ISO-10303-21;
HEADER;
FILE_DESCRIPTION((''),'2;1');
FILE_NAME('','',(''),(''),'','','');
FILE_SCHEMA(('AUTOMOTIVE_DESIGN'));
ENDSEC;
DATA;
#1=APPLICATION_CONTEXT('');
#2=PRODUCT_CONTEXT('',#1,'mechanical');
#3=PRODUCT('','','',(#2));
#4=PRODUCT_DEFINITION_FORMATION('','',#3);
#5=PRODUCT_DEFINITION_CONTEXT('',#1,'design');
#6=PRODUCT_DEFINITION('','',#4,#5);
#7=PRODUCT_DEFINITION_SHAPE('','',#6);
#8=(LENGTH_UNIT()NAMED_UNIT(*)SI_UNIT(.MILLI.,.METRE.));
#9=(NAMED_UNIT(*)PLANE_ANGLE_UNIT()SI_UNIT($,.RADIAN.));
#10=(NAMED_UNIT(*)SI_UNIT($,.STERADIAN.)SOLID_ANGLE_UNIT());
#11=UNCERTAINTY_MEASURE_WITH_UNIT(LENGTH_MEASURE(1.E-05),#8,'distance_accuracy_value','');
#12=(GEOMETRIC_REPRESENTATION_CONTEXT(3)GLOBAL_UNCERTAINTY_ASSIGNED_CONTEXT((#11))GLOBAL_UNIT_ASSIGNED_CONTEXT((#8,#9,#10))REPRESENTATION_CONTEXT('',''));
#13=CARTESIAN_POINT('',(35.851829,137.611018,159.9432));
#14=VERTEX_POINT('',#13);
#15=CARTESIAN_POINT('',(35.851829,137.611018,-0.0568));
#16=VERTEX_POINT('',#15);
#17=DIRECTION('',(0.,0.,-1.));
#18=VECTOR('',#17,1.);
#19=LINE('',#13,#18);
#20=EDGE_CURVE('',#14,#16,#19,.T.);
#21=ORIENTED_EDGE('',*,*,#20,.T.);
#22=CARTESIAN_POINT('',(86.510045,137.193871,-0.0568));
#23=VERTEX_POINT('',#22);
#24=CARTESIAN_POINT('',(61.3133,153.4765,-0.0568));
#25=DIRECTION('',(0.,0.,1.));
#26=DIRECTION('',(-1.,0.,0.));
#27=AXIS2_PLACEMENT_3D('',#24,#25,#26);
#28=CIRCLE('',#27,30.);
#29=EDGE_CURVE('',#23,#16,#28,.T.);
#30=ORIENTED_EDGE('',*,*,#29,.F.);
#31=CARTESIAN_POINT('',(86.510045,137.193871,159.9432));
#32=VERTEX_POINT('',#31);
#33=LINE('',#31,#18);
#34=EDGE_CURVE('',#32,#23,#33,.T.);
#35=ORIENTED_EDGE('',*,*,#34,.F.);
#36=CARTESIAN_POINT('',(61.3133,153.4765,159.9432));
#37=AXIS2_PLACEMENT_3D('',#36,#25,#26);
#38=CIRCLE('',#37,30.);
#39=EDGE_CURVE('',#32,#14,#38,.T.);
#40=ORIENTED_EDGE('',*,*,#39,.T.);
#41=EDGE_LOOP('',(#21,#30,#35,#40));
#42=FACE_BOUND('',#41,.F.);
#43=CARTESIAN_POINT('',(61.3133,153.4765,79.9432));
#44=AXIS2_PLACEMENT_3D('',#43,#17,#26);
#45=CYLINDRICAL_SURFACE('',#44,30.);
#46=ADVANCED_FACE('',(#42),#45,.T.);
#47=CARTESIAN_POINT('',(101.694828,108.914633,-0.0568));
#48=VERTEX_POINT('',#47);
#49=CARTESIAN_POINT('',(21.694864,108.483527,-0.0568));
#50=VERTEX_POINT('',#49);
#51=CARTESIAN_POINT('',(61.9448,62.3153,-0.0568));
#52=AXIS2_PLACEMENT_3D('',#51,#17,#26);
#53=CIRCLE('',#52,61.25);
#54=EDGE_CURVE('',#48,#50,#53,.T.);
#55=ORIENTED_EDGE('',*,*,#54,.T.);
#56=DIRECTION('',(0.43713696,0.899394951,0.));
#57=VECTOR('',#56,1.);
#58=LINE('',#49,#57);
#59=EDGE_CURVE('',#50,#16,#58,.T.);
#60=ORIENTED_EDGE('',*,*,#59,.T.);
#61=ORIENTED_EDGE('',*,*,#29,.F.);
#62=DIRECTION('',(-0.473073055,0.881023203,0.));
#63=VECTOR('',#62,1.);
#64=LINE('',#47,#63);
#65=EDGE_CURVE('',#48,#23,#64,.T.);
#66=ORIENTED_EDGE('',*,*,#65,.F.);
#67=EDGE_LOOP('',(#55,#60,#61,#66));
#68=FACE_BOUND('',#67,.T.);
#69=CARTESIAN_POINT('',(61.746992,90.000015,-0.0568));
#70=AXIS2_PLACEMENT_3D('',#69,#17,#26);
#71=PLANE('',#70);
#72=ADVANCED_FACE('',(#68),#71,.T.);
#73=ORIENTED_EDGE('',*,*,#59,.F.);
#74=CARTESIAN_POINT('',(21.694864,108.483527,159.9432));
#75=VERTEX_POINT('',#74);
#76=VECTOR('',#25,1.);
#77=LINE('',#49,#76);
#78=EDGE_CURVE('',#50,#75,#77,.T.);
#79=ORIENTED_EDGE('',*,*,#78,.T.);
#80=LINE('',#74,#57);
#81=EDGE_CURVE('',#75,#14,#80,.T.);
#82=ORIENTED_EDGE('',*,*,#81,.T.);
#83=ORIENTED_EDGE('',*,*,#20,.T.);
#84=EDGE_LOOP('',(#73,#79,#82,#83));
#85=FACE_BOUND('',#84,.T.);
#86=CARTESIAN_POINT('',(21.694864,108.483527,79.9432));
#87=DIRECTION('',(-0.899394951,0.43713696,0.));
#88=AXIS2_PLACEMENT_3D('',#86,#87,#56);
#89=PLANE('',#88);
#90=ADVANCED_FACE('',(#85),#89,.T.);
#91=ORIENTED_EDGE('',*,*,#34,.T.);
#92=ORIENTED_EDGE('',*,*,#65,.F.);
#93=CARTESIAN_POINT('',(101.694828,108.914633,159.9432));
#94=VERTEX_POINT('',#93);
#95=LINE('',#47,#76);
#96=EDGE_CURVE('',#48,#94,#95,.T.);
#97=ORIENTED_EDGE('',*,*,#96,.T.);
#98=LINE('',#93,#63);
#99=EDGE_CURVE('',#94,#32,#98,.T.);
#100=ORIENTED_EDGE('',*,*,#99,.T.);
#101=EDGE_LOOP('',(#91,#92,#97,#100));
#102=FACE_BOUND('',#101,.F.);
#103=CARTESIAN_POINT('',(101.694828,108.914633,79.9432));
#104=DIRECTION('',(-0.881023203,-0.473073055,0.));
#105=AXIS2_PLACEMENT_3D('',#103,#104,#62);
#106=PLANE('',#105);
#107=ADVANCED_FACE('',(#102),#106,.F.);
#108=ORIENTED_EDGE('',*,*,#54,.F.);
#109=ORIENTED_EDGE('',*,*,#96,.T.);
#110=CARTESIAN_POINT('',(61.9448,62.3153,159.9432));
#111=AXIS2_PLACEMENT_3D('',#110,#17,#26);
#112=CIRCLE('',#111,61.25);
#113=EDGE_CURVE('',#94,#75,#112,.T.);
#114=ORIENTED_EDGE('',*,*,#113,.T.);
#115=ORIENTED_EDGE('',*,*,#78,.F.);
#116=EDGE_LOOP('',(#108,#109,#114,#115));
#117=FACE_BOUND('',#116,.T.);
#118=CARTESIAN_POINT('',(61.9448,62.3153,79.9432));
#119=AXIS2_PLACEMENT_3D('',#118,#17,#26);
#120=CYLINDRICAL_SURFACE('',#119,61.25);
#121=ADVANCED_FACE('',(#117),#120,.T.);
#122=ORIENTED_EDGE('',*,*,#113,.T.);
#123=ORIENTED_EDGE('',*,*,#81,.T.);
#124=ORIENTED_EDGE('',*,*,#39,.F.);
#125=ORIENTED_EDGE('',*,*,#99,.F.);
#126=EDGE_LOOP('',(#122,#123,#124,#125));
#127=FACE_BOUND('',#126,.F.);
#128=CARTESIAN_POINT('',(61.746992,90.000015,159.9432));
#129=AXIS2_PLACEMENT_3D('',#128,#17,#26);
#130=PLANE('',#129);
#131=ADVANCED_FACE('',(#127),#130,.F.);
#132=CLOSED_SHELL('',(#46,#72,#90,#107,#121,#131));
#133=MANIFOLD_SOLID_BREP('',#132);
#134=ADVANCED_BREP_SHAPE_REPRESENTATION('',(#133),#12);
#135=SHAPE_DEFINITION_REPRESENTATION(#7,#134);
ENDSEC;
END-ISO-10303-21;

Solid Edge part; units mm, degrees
sketch "Sketch1" plane through (61.25, 102.7544, 79.9432) normal (0, 0, 1) x (-1, 0, 0)
  line L0 (39.5552, -5.7292) -> (25.3982, -34.8566)
  arc A0 (-25.26, -34.4395) -> (25.3982, -34.8566) centre (-0.0633, -50.7221) ccw
  line L1 (-40.4448, -6.1602) -> (-25.26, -34.4395)
  arc A1 (-40.4448, -6.1603) -> (39.5552, -5.7291) centre (-0.6948, 40.4391) cw
extrude "Protrusion1" add sketch "Sketch1" along normal blind 80
sketch "Sketch2" plane through (61.25, 102.7544, 79.9432) normal (0, 0, 1) x (-1, 0, 0)
  line L0 (39.5552, -5.7292) -> (25.3982, -34.8566)
  arc A0 (-25.26, -34.4395) -> (25.3982, -34.8566) centre (-0.0633, -50.7221) ccw
  line L1 (-40.4448, -6.1602) -> (-25.26, -34.4395)
  arc A1 (-40.4448, -6.1603) -> (39.5552, -5.7291) centre (-0.6948, 40.4391) cw
extrude "ExtrudedProtrusion_7" add sketch "Sketch2" against normal blind 80
